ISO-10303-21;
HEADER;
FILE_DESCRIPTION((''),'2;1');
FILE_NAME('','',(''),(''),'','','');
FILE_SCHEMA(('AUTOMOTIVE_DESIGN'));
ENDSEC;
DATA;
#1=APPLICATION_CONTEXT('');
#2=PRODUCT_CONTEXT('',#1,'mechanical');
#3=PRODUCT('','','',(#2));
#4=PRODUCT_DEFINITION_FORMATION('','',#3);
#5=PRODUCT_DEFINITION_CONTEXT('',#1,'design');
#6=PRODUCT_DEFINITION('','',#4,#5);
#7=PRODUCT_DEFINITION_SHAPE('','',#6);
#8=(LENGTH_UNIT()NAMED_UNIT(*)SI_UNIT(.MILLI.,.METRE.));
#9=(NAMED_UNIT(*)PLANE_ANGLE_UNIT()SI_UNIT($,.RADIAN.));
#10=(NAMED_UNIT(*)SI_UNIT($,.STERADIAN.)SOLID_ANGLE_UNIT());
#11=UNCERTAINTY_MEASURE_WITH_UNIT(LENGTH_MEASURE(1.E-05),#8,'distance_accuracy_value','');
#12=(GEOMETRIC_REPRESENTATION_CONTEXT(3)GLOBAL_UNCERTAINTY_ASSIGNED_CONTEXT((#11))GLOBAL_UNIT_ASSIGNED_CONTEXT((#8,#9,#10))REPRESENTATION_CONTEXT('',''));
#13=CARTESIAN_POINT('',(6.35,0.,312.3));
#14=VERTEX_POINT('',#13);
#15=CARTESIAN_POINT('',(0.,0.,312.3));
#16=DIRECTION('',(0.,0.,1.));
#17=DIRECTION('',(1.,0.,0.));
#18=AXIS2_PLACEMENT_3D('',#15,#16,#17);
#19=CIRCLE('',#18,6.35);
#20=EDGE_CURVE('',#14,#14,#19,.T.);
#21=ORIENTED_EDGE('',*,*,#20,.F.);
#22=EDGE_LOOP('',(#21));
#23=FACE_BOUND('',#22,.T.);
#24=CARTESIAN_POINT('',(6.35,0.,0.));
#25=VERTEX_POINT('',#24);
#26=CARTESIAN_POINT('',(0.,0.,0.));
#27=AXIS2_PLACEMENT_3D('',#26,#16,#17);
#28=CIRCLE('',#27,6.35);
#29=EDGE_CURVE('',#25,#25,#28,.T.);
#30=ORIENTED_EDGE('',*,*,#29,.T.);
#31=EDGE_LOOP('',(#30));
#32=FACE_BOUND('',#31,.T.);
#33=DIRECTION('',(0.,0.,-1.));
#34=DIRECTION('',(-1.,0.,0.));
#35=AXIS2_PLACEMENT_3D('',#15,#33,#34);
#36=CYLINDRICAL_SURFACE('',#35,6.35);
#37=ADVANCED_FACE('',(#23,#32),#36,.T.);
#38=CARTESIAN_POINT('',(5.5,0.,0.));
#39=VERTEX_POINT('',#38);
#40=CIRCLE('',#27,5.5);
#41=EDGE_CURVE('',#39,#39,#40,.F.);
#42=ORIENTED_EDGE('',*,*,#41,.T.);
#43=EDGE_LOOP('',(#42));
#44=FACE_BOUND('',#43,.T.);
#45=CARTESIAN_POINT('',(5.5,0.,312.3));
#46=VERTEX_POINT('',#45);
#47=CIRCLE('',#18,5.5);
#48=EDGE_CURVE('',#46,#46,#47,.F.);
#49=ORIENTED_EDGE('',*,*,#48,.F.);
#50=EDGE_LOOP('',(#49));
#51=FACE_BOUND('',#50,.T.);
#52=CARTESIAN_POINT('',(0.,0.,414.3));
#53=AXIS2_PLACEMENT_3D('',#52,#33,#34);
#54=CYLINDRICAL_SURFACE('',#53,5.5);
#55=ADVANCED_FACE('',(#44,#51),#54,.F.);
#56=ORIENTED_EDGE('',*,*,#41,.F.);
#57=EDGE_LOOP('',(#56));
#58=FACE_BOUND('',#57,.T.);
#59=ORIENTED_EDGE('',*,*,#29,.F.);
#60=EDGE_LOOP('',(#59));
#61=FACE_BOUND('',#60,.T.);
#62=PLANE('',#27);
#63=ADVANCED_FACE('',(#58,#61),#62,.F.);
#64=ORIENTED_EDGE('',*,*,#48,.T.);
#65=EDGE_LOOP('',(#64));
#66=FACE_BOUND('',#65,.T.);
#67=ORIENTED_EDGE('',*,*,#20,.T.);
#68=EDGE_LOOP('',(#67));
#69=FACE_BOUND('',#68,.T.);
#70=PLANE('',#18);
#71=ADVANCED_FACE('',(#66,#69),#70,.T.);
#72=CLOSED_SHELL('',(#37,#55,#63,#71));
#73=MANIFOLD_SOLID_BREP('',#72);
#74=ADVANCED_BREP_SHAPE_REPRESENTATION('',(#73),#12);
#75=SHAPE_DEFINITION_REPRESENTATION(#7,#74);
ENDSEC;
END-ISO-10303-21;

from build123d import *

# Parameters (mm, degrees)
CROQUIS1_R                 = 6.35
SALIENTE_EXTRUIR1_DEPTH    = 312.3
CORTAR_EXTRUIR1_DEPTH      = 102
CORTAR_EXTRUIR1_DEPTH_BACK = 352.3
CROQUIS2_R                 = 5.5


with BuildPart() as part:
    # Croquis1 → Saliente-Extruir1 (new body)
    with BuildSketch(Plane.XY):
        Circle(CROQUIS1_R)
    extrude(amount=SALIENTE_EXTRUIR1_DEPTH)

    # Croquis2 → Cortar-Extruir1 (cut, two sides: drawn at the far end of the back side and taken through both)
    with BuildSketch(Plane.XY.offset(312.3).offset(-CORTAR_EXTRUIR1_DEPTH_BACK)):
        Circle(CROQUIS2_R)
    extrude(amount=CORTAR_EXTRUIR1_DEPTH + CORTAR_EXTRUIR1_DEPTH_BACK, mode=Mode.SUBTRACT)


solid = part.part
